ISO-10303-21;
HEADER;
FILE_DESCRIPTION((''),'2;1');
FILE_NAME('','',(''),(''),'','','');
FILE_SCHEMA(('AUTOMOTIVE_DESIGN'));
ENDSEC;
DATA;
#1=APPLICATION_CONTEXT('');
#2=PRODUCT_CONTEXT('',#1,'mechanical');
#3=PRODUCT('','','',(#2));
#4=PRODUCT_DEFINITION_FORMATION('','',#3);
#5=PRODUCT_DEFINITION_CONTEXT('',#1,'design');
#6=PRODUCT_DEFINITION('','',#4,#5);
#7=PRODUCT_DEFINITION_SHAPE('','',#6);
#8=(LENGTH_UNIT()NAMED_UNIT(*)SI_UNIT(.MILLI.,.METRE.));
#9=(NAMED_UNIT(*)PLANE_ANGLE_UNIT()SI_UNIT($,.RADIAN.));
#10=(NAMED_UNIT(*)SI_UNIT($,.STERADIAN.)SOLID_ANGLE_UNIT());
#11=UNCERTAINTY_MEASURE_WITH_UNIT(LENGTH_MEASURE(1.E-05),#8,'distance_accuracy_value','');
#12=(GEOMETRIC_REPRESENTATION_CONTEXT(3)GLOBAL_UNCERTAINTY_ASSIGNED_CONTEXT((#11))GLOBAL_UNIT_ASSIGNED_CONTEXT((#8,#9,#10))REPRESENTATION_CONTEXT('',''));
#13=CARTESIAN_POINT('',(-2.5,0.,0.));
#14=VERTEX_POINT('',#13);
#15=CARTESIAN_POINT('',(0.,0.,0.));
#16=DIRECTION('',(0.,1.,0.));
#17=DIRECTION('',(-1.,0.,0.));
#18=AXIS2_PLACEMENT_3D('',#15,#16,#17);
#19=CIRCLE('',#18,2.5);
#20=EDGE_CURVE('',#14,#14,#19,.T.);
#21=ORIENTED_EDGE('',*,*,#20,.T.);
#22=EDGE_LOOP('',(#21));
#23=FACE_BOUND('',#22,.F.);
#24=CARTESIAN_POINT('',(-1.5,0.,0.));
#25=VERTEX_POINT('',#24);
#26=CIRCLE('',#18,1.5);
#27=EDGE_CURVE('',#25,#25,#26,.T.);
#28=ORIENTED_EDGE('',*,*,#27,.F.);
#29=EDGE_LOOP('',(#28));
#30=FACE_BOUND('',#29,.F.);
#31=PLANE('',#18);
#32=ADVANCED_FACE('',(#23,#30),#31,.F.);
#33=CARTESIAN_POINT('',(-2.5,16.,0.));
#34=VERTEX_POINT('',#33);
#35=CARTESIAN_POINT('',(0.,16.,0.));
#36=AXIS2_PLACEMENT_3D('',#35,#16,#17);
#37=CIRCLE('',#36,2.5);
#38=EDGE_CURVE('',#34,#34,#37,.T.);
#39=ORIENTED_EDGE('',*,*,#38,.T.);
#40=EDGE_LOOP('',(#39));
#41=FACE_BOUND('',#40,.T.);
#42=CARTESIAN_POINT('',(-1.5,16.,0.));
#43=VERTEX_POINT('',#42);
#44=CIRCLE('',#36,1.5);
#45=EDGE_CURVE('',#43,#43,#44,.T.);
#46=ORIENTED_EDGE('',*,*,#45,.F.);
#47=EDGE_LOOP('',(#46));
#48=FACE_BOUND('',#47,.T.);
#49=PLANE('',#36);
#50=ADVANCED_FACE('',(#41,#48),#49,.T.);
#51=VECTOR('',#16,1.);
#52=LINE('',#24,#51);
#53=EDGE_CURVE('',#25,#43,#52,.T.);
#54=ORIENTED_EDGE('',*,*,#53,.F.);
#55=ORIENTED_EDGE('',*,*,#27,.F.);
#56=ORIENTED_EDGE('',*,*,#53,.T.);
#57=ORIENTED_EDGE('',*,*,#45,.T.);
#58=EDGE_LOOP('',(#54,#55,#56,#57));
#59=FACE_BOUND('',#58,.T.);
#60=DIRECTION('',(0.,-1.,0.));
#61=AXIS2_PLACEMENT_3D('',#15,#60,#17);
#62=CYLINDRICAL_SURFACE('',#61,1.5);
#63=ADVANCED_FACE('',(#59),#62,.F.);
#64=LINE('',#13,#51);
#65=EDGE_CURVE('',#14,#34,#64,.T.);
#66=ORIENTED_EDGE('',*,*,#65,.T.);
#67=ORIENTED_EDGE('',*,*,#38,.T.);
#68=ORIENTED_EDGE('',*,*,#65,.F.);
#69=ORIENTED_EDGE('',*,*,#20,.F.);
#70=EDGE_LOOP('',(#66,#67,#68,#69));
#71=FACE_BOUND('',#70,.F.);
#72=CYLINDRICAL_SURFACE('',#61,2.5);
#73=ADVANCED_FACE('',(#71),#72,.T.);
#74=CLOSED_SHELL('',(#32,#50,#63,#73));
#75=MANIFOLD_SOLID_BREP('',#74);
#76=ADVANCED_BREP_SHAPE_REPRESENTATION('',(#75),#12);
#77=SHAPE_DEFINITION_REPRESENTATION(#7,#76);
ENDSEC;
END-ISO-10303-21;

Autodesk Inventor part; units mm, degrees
ref_plane "YZ Plane" through (0, 0, 0) normal (1, 0, 0) x (0, 1, 0)
ref_plane "XZ Plane" through (0, 0, 0) normal (0, 1, 0) x (-1, 0, 0)
ref_plane "XY Plane" through (0, 0, 0) normal (0, 0, 1) x (1, 0, 0)
sketch "Skizze1" plane through (0, 0, 0) normal (0, 1, 0) x (-1, 0, 0)
  circle A0 centre (0, 0) radius 2.5
  circle A1 centre (0, 0) radius 1.5
  dimension "d0" = 5
  dimension "d1" = 3
extrude "Extrusion1" add sketch "Skizze1" along normal blind 16
properties part number "fitting" material "Messing, weicher Gelbton"
